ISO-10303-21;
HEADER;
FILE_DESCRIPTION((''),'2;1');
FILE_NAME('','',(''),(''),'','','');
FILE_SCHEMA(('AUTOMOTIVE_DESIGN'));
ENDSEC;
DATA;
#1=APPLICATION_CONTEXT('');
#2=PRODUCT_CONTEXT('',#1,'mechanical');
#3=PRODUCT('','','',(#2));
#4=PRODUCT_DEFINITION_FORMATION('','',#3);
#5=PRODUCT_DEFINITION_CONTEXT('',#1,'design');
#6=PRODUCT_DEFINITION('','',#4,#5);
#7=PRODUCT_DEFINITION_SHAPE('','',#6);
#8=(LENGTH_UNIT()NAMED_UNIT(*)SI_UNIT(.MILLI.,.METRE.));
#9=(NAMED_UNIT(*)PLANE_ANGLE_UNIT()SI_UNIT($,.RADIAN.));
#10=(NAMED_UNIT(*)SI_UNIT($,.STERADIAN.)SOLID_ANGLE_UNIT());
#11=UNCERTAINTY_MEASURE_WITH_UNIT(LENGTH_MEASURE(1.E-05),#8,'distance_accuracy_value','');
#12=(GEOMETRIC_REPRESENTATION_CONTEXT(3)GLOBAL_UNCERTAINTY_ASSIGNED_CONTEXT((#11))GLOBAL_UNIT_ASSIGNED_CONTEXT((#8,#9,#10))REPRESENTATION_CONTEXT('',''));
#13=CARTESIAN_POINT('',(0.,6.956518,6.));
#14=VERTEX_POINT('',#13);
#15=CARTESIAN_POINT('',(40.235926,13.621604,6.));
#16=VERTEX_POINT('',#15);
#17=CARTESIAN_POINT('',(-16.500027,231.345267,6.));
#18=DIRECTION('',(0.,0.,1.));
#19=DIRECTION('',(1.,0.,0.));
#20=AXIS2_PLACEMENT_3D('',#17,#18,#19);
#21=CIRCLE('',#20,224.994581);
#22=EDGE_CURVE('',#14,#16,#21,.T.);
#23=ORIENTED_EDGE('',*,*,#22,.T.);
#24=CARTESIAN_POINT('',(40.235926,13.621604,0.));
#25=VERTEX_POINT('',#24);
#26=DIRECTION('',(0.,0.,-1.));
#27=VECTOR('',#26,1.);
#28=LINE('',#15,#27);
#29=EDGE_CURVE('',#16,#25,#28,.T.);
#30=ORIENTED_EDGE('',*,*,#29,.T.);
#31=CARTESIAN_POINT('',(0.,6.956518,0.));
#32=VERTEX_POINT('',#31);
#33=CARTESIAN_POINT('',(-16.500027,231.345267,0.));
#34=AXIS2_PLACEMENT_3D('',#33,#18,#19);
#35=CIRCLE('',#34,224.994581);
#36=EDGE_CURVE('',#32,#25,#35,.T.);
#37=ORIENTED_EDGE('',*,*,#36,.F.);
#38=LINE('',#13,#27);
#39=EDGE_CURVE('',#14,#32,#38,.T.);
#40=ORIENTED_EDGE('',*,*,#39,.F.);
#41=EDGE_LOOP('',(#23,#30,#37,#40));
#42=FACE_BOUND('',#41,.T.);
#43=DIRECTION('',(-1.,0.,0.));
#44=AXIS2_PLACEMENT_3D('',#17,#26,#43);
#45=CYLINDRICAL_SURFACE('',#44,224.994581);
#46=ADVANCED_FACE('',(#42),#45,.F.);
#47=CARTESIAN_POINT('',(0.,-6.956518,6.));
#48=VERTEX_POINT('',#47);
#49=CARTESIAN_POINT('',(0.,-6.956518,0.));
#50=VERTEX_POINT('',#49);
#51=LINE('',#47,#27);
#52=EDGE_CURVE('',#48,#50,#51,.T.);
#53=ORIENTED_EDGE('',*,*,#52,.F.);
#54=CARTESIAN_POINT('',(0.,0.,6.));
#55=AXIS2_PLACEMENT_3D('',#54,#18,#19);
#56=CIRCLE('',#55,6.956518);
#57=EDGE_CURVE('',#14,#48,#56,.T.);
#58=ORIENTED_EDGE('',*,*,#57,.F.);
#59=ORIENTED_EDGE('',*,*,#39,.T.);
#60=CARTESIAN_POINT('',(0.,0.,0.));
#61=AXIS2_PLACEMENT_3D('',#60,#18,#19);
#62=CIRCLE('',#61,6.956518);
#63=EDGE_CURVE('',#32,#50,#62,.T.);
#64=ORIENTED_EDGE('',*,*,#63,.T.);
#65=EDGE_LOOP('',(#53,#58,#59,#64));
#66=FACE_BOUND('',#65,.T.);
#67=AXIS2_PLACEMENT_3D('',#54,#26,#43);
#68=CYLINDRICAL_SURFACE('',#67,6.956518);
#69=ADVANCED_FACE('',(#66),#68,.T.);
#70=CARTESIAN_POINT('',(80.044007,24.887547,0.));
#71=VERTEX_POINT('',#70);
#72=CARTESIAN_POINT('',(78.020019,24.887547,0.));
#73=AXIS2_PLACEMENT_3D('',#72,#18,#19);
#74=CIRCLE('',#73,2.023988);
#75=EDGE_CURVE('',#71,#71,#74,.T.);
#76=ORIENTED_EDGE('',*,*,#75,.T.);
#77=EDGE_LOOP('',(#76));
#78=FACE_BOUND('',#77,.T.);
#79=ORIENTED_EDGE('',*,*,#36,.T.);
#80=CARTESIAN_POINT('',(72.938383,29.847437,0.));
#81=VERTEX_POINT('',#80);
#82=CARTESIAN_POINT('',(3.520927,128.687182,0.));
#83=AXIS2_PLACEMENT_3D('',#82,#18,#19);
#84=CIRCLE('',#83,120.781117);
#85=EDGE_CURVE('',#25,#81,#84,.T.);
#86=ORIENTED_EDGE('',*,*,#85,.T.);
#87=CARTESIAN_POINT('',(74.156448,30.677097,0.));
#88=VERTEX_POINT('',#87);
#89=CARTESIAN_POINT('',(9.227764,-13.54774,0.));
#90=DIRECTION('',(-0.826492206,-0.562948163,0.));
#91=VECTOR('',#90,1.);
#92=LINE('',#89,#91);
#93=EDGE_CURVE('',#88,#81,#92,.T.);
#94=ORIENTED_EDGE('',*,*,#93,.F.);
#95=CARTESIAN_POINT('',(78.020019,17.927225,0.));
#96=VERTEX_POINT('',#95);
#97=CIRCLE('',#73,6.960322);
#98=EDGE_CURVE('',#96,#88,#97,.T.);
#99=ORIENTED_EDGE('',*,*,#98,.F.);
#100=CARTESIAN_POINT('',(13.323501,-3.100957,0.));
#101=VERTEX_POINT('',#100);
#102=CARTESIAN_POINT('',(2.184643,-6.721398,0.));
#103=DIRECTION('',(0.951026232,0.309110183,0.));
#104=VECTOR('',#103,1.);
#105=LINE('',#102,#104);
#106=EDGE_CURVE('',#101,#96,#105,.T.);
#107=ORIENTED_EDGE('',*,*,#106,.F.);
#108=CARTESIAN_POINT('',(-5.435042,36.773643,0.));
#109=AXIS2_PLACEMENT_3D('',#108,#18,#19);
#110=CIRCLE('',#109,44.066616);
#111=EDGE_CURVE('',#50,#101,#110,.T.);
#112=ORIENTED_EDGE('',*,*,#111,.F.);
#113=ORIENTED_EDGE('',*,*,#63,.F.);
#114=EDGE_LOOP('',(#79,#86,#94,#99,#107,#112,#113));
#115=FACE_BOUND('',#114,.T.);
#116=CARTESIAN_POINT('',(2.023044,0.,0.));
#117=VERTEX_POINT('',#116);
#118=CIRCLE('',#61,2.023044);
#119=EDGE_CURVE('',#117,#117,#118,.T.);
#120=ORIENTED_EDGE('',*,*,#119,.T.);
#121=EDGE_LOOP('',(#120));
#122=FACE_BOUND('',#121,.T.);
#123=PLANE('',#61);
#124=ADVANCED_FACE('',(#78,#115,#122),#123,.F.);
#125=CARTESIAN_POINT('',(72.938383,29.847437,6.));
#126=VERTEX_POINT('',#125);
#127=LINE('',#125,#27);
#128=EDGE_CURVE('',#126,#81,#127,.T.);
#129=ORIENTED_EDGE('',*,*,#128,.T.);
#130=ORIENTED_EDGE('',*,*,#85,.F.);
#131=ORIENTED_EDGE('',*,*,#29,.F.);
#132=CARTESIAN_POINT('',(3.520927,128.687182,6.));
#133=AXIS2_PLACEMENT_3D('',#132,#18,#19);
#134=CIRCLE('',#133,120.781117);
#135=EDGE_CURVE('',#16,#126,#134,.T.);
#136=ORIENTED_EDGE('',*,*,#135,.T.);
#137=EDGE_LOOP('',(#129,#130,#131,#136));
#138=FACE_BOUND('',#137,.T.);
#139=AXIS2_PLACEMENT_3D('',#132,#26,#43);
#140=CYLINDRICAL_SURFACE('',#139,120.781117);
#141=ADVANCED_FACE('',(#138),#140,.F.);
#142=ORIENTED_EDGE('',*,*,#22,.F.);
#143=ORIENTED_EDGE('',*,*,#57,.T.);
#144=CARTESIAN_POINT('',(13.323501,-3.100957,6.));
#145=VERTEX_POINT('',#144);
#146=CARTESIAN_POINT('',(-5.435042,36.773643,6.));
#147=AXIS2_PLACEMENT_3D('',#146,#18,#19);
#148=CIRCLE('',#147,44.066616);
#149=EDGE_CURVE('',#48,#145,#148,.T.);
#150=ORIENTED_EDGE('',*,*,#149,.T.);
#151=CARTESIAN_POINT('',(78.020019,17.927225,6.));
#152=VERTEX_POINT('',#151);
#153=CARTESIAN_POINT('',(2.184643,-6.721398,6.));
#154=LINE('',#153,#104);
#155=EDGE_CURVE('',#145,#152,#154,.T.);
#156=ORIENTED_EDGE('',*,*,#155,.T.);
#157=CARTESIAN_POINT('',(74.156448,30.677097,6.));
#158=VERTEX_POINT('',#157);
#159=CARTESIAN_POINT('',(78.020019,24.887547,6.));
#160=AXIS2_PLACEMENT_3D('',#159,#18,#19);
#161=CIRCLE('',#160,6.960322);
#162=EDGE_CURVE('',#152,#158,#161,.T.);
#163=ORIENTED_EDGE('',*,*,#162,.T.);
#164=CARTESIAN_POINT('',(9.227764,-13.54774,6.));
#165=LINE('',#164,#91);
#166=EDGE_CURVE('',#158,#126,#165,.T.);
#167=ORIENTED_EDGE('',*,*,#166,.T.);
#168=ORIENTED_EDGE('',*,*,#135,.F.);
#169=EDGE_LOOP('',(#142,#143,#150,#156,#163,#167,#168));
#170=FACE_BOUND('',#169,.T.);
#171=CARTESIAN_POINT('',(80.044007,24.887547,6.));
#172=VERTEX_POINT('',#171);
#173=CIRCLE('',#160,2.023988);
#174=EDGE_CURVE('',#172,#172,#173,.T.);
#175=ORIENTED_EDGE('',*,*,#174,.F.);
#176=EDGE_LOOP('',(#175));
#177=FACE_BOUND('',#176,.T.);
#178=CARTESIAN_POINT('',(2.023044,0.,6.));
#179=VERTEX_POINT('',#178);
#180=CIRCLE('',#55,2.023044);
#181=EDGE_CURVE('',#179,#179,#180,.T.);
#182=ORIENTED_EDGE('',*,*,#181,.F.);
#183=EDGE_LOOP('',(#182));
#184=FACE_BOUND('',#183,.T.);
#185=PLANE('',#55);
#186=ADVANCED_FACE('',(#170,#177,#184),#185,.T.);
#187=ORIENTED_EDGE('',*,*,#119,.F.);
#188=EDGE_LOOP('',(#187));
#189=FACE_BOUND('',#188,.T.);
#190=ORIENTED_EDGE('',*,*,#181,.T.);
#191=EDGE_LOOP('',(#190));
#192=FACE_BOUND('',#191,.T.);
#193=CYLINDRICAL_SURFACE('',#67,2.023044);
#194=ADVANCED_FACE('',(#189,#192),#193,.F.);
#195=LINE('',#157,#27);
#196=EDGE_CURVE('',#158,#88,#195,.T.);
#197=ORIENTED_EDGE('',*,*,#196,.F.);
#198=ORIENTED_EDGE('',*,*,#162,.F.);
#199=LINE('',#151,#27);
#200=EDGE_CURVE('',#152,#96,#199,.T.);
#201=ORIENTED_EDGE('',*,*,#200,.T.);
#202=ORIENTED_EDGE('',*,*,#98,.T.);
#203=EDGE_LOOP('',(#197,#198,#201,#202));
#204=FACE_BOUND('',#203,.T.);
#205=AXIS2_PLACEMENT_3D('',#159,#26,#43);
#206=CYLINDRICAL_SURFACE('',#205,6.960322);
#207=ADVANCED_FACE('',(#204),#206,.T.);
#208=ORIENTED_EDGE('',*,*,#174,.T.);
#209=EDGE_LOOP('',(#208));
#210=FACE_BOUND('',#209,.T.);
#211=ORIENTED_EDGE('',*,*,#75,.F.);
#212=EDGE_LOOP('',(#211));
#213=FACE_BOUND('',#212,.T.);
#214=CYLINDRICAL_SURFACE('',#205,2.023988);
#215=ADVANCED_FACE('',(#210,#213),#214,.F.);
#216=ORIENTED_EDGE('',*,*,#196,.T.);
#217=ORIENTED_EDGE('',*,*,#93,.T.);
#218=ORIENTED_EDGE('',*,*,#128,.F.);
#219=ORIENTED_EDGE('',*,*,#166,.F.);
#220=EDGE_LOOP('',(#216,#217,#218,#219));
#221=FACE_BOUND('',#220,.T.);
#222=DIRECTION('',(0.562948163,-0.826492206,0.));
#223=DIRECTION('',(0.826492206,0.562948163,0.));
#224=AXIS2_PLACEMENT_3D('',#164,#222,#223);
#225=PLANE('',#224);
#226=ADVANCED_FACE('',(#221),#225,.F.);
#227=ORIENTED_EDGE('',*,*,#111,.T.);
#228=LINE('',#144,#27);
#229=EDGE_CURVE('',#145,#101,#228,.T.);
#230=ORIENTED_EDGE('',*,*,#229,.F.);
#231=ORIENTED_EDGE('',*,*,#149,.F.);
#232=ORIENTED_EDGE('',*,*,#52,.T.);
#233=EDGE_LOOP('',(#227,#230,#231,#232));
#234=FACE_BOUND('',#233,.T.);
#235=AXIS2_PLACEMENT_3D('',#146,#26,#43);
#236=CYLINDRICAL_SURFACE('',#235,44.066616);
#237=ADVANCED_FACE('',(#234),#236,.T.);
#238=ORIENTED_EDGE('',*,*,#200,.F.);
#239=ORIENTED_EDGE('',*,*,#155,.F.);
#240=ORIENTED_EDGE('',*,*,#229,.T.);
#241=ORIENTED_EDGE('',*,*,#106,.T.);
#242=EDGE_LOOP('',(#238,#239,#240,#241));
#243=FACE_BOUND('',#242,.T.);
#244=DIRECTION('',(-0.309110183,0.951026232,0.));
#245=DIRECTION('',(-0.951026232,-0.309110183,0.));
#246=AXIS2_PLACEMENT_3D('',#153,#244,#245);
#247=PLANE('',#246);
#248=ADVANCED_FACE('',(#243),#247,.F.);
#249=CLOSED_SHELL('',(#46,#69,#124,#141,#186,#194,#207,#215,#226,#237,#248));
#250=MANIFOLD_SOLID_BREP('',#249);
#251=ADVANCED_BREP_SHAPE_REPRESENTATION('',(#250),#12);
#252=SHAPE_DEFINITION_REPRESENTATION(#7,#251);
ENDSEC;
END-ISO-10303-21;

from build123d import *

# Parameters (mm, degrees)
SKETCH1_R           = 2.023987864
SKETCH1_R_2         = 2.023043511
BOSS_EXTRUDE1_DEPTH = 6


with BuildPart() as part:
    # Sketch1 → Boss-Extrude1 (new body)
    with BuildSketch(Plane.XY):
        with BuildLine():
            ThreePointArc((40.235925581, 13.621604134), (57.203735223, 20.491828906), (72.938383073, 29.847437358))
            Line((72.938383073, 29.847437358), (74.156447949, 30.67709719))
            ThreePointArc((74.156447949, 30.67709719), (84.681220688, 26.906078771), (78.020019153, 17.927224989))
            Line((78.020019153, 17.927224989), (13.323500668, -3.100956986))
            ThreePointArc((13.323500668, -3.100956986), (6.814395622, -5.556227345), (0, -6.956517793))
            ThreePointArc((0, -6.956517793), (-6.956517793, 0), (0, 6.956517793))
            ThreePointArc((0, 6.956517793), (20.269294729, 9.375497313), (40.235925581, 13.621604134))
        make_face()
        with Locations((78.020019153, 24.887546661)):
            Circle(SKETCH1_R, mode=Mode.SUBTRACT)
        Circle(SKETCH1_R_2, mode=Mode.SUBTRACT)
    extrude(amount=BOSS_EXTRUDE1_DEPTH)


solid = part.part
